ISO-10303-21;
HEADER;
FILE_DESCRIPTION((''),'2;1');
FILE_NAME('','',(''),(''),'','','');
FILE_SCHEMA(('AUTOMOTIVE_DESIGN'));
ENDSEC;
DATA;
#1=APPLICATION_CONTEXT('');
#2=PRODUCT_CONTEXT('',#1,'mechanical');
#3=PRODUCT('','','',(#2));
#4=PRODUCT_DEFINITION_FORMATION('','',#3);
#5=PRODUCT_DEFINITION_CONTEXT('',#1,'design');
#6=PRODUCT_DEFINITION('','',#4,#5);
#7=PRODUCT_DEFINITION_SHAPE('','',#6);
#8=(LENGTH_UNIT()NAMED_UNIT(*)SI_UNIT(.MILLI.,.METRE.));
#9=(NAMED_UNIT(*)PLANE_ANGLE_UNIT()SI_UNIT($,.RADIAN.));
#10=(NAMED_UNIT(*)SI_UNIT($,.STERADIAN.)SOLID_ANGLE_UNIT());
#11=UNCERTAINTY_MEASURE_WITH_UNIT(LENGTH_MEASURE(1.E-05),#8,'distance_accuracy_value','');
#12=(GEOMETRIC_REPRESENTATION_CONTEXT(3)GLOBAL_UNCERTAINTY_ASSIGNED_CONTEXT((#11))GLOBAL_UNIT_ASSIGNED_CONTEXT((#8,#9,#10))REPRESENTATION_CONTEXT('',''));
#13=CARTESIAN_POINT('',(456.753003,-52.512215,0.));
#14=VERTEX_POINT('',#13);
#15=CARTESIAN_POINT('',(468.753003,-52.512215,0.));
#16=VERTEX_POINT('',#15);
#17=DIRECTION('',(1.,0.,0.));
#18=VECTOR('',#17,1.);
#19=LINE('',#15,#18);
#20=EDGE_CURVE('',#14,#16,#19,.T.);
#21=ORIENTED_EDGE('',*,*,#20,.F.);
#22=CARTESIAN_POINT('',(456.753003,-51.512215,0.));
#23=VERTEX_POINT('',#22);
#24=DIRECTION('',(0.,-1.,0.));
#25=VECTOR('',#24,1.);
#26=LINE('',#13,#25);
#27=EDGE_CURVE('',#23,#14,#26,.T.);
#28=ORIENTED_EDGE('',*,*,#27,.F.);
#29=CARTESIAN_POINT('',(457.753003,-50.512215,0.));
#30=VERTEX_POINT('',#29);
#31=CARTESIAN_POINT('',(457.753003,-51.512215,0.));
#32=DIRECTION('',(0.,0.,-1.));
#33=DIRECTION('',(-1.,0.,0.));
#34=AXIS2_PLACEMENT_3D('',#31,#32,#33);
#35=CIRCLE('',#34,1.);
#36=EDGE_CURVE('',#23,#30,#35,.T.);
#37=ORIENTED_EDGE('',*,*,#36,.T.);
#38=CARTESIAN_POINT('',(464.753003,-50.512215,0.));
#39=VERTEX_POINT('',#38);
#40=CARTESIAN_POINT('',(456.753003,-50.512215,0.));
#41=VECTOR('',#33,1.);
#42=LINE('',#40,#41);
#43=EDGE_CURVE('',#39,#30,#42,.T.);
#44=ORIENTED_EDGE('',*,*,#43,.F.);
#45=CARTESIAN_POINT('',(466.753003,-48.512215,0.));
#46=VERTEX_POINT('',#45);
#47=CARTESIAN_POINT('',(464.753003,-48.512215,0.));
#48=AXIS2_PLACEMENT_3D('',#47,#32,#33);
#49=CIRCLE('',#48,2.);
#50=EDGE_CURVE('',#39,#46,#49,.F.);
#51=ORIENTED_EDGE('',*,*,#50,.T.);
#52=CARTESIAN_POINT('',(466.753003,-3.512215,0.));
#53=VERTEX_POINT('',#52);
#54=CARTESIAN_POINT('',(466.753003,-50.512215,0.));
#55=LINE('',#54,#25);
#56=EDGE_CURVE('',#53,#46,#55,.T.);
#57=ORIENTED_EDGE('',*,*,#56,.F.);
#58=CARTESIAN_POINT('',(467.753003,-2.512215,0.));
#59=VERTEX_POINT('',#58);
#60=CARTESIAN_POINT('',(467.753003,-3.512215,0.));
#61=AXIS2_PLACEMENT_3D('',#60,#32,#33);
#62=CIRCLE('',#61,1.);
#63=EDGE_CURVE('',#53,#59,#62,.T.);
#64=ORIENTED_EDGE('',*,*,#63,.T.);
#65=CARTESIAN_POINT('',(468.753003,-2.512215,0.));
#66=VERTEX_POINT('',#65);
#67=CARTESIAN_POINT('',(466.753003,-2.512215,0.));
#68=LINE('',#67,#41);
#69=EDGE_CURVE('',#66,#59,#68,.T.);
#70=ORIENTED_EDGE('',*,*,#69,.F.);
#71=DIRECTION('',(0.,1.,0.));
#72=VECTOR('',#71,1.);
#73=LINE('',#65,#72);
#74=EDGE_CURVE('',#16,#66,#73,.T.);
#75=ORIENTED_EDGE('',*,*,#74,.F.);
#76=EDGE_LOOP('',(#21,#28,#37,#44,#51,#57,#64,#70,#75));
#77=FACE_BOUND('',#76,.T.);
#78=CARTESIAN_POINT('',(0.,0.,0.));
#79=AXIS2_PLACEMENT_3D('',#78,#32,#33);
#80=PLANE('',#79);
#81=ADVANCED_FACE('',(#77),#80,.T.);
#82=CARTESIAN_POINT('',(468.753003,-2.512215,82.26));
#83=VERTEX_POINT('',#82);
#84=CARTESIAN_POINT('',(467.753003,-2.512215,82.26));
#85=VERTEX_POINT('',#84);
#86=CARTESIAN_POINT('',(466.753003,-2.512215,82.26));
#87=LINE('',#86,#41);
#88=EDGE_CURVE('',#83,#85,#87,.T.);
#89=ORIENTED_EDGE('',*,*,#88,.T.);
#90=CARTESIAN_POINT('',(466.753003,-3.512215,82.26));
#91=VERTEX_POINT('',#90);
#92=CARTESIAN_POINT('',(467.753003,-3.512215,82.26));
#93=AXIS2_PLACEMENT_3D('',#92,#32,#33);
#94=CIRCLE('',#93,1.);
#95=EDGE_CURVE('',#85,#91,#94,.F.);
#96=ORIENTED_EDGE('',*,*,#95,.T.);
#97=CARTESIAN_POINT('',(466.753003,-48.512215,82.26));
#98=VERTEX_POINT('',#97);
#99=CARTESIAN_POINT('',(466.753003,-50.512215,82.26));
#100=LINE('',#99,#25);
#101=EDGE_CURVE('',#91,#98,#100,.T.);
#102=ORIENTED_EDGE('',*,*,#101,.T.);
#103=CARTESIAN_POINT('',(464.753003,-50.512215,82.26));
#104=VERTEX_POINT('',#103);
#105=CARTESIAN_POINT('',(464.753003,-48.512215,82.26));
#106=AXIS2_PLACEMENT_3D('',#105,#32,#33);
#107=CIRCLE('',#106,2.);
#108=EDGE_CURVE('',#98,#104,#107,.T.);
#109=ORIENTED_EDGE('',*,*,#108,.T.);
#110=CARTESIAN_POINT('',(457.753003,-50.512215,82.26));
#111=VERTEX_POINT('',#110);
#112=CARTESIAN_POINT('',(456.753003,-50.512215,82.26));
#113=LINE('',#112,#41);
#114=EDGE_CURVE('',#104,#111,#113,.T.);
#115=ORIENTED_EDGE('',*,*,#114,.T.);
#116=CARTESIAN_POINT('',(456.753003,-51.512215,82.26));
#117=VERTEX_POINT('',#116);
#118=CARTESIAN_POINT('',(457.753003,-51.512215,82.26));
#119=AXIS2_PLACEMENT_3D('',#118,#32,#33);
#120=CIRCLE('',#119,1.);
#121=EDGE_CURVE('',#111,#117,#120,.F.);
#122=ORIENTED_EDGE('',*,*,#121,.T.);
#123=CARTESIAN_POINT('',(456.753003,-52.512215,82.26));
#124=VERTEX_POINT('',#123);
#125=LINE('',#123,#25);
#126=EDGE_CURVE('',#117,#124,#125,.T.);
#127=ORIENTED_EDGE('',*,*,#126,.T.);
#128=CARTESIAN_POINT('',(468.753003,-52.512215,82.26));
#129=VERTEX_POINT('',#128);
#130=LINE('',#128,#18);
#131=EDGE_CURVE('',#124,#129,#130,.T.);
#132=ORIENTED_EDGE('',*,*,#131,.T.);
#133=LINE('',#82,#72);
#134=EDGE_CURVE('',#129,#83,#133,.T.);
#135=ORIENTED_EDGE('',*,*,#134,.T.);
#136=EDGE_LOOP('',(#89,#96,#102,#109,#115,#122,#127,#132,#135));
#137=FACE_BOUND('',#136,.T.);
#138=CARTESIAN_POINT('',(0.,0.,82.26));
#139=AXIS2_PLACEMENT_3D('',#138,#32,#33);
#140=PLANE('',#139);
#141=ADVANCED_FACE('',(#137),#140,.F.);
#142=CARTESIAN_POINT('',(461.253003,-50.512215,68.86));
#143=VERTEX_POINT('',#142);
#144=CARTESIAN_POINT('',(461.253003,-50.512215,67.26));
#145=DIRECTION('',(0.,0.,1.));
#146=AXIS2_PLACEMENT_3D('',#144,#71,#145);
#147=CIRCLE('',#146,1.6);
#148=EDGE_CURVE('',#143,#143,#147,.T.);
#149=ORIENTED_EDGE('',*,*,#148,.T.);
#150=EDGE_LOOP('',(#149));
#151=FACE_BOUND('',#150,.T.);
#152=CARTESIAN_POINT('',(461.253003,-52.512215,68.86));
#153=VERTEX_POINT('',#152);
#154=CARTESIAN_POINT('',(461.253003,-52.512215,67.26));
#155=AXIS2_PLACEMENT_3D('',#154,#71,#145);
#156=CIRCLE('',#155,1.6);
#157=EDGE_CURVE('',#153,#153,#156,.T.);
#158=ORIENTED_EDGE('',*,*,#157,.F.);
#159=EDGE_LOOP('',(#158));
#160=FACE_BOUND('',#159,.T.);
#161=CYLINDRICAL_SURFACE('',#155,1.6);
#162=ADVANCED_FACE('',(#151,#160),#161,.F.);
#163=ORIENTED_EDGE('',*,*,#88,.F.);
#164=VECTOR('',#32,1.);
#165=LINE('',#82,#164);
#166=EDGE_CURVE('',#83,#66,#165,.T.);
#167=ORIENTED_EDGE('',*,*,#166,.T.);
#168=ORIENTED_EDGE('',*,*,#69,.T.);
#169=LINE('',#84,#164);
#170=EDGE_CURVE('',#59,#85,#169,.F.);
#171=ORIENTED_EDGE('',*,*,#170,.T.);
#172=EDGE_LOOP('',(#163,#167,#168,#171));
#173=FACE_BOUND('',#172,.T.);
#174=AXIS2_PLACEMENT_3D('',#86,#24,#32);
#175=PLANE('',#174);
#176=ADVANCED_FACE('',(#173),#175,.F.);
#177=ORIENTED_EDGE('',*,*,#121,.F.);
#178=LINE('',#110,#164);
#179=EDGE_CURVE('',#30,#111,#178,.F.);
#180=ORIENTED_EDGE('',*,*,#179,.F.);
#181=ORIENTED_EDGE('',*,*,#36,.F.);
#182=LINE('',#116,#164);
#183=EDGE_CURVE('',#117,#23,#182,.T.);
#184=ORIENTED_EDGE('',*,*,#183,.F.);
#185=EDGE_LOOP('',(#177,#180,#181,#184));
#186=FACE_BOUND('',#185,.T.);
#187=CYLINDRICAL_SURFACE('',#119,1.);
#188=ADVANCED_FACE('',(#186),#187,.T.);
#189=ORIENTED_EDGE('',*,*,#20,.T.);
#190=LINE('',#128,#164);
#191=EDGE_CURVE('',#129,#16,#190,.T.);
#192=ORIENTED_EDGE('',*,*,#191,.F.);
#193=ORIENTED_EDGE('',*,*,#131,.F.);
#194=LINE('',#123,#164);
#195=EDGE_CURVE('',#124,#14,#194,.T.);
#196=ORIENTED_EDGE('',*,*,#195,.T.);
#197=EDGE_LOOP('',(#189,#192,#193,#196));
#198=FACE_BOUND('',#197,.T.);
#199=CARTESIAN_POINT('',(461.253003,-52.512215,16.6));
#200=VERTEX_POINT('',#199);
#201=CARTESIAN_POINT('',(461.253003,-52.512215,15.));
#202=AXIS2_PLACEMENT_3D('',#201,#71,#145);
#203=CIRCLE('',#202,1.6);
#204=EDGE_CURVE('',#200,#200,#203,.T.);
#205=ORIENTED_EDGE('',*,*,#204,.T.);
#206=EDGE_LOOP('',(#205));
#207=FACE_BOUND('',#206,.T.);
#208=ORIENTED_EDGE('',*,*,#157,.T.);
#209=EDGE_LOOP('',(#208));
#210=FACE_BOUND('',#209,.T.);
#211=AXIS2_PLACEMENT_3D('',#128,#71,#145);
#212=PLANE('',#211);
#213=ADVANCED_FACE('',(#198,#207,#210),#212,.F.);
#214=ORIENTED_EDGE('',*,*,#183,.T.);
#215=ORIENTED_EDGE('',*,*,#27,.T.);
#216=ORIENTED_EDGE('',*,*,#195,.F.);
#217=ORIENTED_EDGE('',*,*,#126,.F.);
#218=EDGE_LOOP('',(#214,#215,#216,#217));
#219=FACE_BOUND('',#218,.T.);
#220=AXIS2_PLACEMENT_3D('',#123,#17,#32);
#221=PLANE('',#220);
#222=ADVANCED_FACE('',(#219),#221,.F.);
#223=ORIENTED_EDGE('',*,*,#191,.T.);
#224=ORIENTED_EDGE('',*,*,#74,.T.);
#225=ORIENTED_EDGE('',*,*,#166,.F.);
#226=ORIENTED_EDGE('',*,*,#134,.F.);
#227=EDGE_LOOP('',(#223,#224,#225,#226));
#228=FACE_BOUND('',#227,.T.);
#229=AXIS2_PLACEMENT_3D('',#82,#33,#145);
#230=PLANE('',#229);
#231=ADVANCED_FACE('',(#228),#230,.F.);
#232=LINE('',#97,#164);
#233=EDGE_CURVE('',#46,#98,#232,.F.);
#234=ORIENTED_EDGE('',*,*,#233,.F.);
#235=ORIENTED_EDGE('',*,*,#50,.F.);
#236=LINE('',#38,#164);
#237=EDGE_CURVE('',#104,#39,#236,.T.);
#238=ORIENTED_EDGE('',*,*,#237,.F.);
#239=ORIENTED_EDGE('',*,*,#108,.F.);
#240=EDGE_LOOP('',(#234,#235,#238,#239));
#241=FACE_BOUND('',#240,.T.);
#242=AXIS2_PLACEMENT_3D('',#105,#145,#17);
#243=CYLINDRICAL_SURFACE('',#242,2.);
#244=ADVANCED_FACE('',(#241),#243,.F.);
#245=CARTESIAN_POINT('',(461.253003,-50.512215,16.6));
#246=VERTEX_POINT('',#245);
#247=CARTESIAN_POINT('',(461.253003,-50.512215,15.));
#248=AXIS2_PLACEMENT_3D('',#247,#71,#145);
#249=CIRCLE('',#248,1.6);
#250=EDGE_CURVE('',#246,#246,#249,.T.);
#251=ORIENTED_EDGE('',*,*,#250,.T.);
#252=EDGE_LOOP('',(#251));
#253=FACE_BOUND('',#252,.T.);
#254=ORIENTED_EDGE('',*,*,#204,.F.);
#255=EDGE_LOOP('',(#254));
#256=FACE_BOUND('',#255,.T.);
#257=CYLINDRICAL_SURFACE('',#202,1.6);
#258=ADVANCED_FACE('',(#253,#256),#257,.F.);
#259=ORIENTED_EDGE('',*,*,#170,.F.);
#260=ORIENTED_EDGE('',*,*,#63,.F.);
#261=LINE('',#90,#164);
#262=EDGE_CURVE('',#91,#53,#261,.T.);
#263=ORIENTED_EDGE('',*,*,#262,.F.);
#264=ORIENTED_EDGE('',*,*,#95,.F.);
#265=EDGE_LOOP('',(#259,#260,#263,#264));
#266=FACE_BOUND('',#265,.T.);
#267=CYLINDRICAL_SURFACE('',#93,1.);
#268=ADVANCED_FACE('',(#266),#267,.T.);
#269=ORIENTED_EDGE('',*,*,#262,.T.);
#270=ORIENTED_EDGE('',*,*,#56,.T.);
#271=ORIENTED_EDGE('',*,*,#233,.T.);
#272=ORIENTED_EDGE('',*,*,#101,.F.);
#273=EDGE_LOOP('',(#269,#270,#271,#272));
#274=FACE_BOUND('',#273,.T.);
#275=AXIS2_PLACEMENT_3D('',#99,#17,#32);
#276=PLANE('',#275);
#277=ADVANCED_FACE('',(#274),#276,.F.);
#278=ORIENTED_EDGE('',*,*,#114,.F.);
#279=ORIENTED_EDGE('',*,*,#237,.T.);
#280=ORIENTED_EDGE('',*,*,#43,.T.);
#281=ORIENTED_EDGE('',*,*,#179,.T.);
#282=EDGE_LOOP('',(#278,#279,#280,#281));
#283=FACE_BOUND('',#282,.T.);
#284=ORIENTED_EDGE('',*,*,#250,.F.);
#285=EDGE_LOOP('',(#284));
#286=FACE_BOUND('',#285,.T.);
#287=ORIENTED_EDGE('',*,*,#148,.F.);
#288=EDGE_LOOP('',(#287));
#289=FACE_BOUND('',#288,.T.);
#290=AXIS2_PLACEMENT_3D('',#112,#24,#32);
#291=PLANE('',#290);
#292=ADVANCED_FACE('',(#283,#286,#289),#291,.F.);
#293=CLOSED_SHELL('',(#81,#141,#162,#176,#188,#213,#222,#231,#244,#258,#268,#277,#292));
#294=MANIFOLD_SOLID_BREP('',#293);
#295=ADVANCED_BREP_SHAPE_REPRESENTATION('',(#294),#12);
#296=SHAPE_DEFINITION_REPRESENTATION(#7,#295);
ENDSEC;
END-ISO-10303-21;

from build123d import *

# Parameters (mm, degrees)
BOSS_EXTRUDE1_DEPTH = 82.26
FILLET1_R           = 1
FILLET2_R           = 2
SKETCH2_R           = 1.6
CUT_EXTRUDE1_DEPTH  = 479.330518547


with BuildPart() as part:
    # Sketch1 → Boss-Extrude1 (new body)
    with BuildSketch(Plane.XY):
        Polygon((468.753002522, -2.512215309), (468.753002522, -52.512215309), (456.753002522, -52.512215309), (456.753002522, -50.512215309), (466.753002522, -50.512215309), (466.753002522, -2.512215309), align=None)
    extrude(amount=BOSS_EXTRUDE1_DEPTH)

    # Fillet1
    fillet1_edges = [part.edges().sort_by_distance(p)[0] for p in [
        (456.753002522, -50.512215309, 41.13),
        (466.753002522, -2.512215309, 41.13),
    ]]
    fillet(fillet1_edges, radius=FILLET1_R)

    # Fillet2
    fillet2_edges = [part.edges().sort_by_distance(p)[0] for p in [
        (466.753002522, -50.512215309, 41.13),
    ]]
    fillet(fillet2_edges, radius=FILLET2_R)

    # Sketch2 → Cut-Extrude1 (cut, through all)
    with BuildSketch(Plane(origin=(0, -50.512215309, 0), x_dir=(1, 0, 0), z_dir=(0, 1, 0))):
        with Locations(Location((461.253002522, -67.26, 0), (0, 0, 270))):
            Circle(SKETCH2_R)
        with Locations(Location((461.253002522, -15, 0), (0, 0, 270))):
            Circle(SKETCH2_R)
    extrude(amount=-CUT_EXTRUDE1_DEPTH, mode=Mode.SUBTRACT)


solid = part.part
